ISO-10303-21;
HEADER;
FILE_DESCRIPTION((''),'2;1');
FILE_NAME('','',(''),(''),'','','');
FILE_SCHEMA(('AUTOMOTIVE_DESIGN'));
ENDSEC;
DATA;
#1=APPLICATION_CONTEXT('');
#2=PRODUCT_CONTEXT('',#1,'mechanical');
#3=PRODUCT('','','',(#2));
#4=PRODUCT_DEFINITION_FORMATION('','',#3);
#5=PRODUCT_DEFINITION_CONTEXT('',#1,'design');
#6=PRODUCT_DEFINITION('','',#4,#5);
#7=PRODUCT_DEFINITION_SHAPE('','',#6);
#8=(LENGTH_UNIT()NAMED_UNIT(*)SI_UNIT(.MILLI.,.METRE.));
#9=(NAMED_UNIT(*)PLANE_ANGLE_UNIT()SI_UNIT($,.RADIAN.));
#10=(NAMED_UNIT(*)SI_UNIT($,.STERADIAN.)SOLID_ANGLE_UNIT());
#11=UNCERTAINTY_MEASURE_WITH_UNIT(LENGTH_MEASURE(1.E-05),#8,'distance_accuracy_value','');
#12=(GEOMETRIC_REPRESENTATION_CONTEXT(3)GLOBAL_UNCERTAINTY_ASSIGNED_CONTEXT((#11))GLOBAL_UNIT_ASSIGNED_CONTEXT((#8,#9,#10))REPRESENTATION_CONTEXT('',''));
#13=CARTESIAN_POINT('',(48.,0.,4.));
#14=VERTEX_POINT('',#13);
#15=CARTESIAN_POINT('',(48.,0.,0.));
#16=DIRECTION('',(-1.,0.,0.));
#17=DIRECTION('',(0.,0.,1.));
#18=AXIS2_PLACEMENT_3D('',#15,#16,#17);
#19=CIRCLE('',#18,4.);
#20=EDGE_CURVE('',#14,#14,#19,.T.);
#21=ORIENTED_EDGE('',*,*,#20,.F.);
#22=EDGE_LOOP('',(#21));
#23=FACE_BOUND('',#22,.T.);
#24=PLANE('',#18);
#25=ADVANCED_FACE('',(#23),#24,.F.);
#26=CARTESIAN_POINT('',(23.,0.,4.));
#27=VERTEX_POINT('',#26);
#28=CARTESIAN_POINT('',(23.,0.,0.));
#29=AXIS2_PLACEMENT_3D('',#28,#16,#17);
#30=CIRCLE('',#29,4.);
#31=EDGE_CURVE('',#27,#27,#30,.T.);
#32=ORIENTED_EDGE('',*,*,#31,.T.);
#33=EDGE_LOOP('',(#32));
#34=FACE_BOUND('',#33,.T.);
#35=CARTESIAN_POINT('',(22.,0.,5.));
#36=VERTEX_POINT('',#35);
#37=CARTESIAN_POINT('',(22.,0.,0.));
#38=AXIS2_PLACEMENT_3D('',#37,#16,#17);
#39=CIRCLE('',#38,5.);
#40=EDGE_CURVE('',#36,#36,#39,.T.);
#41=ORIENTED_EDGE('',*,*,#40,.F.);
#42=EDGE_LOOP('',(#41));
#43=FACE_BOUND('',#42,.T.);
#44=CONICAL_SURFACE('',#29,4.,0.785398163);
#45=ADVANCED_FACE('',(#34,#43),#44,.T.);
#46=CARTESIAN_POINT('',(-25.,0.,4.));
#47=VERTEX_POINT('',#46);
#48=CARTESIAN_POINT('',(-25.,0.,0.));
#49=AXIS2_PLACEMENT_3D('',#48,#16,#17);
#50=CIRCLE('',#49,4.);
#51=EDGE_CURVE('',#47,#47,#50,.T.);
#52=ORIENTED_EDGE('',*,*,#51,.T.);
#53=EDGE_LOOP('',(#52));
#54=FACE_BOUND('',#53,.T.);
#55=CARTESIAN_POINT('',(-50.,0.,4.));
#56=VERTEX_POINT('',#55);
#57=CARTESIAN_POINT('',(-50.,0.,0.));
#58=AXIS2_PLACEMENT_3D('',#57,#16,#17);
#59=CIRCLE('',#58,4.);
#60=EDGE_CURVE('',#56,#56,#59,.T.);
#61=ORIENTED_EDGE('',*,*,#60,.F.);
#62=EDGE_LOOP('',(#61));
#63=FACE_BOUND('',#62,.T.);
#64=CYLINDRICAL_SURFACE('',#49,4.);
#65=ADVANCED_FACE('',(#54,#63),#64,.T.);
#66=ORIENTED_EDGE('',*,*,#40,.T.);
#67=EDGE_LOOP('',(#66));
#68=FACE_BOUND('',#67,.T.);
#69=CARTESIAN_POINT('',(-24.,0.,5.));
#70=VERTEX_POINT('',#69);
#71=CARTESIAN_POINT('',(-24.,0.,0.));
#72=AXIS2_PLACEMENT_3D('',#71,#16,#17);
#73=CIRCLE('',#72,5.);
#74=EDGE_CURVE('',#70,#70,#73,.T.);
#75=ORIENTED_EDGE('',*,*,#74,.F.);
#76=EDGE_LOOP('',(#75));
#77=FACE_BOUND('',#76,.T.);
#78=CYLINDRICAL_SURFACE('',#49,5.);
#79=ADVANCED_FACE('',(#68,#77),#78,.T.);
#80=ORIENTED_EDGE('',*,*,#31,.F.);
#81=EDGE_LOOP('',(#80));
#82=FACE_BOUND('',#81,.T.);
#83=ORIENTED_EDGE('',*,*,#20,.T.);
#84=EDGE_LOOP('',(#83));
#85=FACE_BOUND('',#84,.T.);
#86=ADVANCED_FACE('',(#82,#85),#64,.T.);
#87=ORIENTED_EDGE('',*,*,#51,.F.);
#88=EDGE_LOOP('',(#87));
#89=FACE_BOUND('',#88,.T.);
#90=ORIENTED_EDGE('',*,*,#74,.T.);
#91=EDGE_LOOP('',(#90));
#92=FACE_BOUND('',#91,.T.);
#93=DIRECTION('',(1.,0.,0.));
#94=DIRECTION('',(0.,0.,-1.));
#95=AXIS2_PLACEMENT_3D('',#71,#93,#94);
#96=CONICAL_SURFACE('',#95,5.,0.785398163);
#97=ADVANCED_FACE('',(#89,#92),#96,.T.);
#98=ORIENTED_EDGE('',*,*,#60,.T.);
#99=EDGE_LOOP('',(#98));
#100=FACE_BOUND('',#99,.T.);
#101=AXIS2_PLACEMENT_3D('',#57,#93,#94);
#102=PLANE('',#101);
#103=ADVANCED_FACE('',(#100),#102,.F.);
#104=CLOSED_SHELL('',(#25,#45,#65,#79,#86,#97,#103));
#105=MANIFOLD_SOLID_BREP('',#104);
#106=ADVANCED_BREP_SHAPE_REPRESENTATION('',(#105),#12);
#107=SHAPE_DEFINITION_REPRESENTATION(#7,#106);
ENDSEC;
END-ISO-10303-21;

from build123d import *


with BuildPart() as part:
    # Szkic1 → Obrót1 (revolve)
    with BuildSketch(Plane(origin=(0, 0, 0), x_dir=(1, 0, 0), z_dir=(0, 1, 0))):
        Polygon((-25, 0), (23, 0), (48, 0), (48, 4), (23, 4), (22, 5), (-24, 5), (-25, 4), (-50, 4), (-50, 0), align=None)
    revolve(axis=Axis((-25, 0, 0), (1, 0, 0)))


solid = part.part
